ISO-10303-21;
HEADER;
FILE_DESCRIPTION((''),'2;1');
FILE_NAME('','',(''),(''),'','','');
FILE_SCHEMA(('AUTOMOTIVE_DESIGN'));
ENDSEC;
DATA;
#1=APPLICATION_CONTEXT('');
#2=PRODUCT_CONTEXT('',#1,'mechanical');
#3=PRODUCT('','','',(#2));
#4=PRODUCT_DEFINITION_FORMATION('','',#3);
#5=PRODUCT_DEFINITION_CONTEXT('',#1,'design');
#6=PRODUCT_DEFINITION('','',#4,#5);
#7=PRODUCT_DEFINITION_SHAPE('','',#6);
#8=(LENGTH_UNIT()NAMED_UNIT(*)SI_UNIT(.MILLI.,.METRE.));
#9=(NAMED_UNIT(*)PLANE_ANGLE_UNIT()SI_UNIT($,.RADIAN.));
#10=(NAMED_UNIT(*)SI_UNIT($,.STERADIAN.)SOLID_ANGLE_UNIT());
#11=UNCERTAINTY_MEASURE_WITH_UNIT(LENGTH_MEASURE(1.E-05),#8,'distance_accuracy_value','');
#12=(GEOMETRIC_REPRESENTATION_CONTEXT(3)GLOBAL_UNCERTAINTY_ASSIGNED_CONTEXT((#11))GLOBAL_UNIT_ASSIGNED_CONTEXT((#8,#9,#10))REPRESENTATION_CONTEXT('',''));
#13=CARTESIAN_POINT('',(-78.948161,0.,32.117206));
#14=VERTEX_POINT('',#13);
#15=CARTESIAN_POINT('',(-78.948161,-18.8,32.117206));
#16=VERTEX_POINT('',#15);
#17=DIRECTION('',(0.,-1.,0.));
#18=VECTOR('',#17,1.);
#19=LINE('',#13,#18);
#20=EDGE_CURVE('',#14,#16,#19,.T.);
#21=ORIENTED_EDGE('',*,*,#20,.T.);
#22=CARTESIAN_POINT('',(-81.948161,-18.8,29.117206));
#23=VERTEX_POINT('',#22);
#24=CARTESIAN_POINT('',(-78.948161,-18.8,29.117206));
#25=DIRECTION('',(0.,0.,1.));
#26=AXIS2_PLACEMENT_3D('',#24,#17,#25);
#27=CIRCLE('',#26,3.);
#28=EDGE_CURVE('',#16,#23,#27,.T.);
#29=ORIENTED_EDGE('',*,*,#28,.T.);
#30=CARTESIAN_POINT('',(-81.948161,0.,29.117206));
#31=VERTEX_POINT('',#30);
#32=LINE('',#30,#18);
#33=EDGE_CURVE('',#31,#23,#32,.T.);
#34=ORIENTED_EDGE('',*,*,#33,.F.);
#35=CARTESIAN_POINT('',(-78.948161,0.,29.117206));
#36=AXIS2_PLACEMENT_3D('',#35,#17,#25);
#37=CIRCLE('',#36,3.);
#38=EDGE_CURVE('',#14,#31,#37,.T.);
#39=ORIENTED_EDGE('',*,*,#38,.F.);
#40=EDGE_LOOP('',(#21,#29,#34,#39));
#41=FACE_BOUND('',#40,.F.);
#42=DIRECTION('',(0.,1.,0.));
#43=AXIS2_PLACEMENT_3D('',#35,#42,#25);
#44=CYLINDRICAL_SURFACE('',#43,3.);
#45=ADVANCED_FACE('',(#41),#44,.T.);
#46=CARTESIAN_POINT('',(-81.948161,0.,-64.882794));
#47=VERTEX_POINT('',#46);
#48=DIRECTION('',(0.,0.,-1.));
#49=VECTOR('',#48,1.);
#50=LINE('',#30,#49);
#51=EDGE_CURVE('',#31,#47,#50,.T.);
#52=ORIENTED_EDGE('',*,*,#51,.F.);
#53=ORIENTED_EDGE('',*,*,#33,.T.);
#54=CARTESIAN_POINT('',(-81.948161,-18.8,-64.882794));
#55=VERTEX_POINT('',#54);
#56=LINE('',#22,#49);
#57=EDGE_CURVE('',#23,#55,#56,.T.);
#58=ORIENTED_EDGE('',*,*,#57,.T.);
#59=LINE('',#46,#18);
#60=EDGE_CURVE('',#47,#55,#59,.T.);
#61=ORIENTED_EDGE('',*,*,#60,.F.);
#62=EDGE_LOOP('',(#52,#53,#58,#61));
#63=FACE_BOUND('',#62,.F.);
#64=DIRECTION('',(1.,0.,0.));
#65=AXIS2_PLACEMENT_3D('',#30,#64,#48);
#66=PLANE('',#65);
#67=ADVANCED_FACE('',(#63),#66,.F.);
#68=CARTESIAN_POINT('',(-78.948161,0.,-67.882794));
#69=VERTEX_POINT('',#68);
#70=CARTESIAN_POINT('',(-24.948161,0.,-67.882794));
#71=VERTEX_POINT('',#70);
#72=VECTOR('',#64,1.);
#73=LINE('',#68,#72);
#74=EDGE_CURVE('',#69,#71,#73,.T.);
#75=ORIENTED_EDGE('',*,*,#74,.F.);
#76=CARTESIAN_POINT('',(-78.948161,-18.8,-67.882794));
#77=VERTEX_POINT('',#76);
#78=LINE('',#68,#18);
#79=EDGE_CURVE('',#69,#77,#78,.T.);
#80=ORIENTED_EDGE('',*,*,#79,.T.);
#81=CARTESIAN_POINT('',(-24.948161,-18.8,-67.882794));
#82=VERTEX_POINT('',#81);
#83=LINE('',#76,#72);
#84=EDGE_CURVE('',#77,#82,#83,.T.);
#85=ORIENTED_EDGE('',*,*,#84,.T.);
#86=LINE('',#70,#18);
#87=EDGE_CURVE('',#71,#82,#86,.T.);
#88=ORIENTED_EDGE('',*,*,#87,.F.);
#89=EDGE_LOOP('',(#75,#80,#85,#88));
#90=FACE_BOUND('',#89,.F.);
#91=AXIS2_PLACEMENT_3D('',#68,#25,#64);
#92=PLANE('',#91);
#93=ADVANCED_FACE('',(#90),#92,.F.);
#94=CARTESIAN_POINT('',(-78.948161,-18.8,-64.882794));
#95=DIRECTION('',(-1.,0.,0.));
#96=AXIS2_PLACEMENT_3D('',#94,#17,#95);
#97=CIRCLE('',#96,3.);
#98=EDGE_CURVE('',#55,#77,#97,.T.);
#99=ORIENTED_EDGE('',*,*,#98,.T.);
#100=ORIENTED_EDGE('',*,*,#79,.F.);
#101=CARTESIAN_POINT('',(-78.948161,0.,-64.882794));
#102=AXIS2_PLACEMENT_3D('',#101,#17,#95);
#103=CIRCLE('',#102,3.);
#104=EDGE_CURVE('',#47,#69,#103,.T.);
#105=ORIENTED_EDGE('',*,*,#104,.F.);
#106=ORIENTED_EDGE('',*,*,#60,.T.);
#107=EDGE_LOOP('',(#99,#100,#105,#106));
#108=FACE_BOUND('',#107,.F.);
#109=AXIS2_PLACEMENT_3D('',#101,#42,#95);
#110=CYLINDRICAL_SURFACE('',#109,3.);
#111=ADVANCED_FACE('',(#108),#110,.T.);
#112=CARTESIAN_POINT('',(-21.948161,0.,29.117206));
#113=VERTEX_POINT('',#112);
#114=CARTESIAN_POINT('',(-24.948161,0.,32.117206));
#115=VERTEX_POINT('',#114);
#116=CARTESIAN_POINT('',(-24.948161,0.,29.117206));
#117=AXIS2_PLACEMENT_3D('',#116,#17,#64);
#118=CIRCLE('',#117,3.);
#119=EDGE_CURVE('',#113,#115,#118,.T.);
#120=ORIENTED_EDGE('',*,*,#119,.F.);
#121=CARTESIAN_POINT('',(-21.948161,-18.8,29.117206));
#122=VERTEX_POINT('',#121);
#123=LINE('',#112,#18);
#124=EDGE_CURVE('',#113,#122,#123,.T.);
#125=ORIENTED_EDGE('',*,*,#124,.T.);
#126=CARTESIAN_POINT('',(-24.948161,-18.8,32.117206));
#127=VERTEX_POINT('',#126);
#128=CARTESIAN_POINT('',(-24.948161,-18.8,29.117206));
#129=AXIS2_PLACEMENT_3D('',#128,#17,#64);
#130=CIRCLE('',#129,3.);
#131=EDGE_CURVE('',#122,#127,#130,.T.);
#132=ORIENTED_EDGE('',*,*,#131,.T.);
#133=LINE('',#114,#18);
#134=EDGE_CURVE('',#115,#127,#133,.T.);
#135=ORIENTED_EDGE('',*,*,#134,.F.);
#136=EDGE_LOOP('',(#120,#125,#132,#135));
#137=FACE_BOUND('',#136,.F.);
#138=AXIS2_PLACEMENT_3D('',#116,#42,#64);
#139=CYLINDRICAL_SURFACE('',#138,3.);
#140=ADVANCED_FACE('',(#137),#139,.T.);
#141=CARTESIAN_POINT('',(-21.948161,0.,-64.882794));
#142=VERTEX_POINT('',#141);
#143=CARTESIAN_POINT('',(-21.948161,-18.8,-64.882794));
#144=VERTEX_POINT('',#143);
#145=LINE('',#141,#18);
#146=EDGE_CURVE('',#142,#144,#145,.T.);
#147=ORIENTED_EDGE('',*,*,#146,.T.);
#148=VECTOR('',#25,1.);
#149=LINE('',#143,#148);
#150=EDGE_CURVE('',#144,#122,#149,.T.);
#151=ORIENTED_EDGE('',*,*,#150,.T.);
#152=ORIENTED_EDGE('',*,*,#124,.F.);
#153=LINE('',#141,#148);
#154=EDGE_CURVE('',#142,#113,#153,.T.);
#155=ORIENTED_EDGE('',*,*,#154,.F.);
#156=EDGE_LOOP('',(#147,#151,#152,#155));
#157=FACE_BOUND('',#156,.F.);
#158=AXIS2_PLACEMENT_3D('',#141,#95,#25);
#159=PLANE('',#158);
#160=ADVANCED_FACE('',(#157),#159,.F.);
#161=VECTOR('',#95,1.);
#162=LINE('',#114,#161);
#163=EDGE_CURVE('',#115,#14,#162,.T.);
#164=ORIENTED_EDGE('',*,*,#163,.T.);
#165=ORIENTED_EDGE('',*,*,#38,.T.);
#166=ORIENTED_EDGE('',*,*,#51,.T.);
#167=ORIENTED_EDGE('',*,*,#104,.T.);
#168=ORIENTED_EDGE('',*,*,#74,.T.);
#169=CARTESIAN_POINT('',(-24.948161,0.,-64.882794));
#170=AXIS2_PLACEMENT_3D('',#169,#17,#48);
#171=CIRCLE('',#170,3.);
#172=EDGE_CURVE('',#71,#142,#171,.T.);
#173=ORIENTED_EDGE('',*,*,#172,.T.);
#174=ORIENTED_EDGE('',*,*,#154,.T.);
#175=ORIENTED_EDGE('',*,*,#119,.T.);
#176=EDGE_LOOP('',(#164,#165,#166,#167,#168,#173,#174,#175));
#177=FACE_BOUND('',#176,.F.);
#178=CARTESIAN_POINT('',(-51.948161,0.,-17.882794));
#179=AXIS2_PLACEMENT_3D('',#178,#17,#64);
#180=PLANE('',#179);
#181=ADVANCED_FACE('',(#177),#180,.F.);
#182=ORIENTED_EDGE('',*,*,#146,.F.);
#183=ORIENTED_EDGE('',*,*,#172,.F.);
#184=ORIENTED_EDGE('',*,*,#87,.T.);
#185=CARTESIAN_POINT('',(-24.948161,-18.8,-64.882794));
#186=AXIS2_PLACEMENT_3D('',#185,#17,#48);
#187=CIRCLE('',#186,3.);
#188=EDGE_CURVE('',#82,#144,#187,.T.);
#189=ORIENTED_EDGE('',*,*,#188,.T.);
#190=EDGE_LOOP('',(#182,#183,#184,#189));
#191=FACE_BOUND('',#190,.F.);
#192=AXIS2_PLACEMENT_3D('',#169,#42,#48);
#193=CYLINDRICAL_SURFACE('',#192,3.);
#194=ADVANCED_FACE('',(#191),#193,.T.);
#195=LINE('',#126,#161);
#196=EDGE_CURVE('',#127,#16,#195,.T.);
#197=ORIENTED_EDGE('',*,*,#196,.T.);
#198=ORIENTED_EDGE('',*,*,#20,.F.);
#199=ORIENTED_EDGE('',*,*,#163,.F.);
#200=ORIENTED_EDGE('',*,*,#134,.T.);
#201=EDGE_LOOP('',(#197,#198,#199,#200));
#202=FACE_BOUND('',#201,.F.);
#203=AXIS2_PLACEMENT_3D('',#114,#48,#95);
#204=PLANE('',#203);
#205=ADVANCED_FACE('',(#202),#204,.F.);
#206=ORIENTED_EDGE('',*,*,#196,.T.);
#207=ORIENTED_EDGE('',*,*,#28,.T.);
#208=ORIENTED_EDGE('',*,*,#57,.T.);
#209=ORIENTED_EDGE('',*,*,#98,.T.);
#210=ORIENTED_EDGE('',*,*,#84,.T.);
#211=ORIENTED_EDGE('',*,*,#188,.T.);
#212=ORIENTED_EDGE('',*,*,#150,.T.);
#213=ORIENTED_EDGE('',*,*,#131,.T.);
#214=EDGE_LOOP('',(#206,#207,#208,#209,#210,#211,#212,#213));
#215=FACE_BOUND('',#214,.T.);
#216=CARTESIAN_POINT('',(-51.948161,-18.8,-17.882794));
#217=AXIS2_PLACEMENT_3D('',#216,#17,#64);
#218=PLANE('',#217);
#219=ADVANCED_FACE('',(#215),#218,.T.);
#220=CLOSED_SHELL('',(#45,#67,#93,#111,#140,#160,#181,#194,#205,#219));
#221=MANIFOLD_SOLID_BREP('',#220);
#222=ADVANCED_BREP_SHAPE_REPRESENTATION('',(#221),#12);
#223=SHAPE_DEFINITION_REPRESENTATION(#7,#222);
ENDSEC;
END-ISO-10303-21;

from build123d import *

# Parameters (mm, degrees)
F1_DEPTH = 18.8


with BuildPart() as f1:
    # F0 (on Front) → F1 (new body)
    with BuildSketch(Plane.XZ):
        with BuildLine():
            ThreePointArc((-81.9481611252, -64.882794404), (-81.0694814687, -67.0041147476), (-78.9481611252, -67.882794404))
            Line((-78.9481611252, -67.882794404), (-24.9481611252, -67.882794404))
            ThreePointArc((-24.9481611252, -67.882794404), (-22.8268407816, -67.0041147476), (-21.9481611252, -64.882794404))
            Line((-21.9481611252, -64.882794404), (-21.9481611252, 29.117205596))
            ThreePointArc((-21.9481611252, 29.117205596), (-22.8268407816, 31.2385259395), (-24.9481611252, 32.117205596))
            Line((-24.9481611252, 32.117205596), (-78.9481611252, 32.117205596))
            ThreePointArc((-78.9481611252, 32.117205596), (-81.0694814687, 31.2385259395), (-81.9481611252, 29.117205596))
            Line((-81.9481611252, 29.117205596), (-81.9481611252, -64.882794404))
        make_face()
        with BuildLine():
            Line((-25.5481611252, 25.517205596), (-25.5481611252, -61.282794404))
            ThreePointArc((-25.5481611252, -61.282794404), (-26.4268407816, -63.4041147476), (-28.5481611252, -64.282794404))
            Line((-28.5481611252, -64.282794404), (-75.3481611252, -64.282794404))
            ThreePointArc((-75.3481611252, -64.282794404), (-77.4694814687, -63.4041147476), (-78.3481611252, -61.282794404))
            Line((-78.3481611252, -61.282794404), (-78.3481611252, 25.517205596))
            ThreePointArc((-78.3481611252, 25.517205596), (-77.4694814687, 27.6385259395), (-75.3481611252, 28.517205596))
            Line((-75.3481611252, 28.517205596), (-28.5481611252, 28.517205596))
            ThreePointArc((-28.5481611252, 28.517205596), (-26.4268407816, 27.6385259395), (-25.5481611252, 25.517205596))
        make_face(mode=Mode.SUBTRACT)
        with BuildLine():
            ThreePointArc((-28.5481611252, -64.282794404), (-26.4268407816, -63.4041147476), (-25.5481611252, -61.282794404))
            Line((-25.5481611252, -61.282794404), (-25.5481611252, 25.517205596))
            ThreePointArc((-25.5481611252, 25.517205596), (-26.4268407816, 27.6385259395), (-28.5481611252, 28.517205596))
            Line((-28.5481611252, 28.517205596), (-75.3481611252, 28.517205596))
            ThreePointArc((-75.3481611252, 28.517205596), (-77.4694814687, 27.6385259395), (-78.3481611252, 25.517205596))
            Line((-78.3481611252, 25.517205596), (-78.3481611252, -61.282794404))
            ThreePointArc((-78.3481611252, -61.282794404), (-77.4694814687, -63.4041147476), (-75.3481611252, -64.282794404))
            Line((-75.3481611252, -64.282794404), (-28.5481611252, -64.282794404))
        make_face()
    extrude(amount=F1_DEPTH)


solid = f1.part
